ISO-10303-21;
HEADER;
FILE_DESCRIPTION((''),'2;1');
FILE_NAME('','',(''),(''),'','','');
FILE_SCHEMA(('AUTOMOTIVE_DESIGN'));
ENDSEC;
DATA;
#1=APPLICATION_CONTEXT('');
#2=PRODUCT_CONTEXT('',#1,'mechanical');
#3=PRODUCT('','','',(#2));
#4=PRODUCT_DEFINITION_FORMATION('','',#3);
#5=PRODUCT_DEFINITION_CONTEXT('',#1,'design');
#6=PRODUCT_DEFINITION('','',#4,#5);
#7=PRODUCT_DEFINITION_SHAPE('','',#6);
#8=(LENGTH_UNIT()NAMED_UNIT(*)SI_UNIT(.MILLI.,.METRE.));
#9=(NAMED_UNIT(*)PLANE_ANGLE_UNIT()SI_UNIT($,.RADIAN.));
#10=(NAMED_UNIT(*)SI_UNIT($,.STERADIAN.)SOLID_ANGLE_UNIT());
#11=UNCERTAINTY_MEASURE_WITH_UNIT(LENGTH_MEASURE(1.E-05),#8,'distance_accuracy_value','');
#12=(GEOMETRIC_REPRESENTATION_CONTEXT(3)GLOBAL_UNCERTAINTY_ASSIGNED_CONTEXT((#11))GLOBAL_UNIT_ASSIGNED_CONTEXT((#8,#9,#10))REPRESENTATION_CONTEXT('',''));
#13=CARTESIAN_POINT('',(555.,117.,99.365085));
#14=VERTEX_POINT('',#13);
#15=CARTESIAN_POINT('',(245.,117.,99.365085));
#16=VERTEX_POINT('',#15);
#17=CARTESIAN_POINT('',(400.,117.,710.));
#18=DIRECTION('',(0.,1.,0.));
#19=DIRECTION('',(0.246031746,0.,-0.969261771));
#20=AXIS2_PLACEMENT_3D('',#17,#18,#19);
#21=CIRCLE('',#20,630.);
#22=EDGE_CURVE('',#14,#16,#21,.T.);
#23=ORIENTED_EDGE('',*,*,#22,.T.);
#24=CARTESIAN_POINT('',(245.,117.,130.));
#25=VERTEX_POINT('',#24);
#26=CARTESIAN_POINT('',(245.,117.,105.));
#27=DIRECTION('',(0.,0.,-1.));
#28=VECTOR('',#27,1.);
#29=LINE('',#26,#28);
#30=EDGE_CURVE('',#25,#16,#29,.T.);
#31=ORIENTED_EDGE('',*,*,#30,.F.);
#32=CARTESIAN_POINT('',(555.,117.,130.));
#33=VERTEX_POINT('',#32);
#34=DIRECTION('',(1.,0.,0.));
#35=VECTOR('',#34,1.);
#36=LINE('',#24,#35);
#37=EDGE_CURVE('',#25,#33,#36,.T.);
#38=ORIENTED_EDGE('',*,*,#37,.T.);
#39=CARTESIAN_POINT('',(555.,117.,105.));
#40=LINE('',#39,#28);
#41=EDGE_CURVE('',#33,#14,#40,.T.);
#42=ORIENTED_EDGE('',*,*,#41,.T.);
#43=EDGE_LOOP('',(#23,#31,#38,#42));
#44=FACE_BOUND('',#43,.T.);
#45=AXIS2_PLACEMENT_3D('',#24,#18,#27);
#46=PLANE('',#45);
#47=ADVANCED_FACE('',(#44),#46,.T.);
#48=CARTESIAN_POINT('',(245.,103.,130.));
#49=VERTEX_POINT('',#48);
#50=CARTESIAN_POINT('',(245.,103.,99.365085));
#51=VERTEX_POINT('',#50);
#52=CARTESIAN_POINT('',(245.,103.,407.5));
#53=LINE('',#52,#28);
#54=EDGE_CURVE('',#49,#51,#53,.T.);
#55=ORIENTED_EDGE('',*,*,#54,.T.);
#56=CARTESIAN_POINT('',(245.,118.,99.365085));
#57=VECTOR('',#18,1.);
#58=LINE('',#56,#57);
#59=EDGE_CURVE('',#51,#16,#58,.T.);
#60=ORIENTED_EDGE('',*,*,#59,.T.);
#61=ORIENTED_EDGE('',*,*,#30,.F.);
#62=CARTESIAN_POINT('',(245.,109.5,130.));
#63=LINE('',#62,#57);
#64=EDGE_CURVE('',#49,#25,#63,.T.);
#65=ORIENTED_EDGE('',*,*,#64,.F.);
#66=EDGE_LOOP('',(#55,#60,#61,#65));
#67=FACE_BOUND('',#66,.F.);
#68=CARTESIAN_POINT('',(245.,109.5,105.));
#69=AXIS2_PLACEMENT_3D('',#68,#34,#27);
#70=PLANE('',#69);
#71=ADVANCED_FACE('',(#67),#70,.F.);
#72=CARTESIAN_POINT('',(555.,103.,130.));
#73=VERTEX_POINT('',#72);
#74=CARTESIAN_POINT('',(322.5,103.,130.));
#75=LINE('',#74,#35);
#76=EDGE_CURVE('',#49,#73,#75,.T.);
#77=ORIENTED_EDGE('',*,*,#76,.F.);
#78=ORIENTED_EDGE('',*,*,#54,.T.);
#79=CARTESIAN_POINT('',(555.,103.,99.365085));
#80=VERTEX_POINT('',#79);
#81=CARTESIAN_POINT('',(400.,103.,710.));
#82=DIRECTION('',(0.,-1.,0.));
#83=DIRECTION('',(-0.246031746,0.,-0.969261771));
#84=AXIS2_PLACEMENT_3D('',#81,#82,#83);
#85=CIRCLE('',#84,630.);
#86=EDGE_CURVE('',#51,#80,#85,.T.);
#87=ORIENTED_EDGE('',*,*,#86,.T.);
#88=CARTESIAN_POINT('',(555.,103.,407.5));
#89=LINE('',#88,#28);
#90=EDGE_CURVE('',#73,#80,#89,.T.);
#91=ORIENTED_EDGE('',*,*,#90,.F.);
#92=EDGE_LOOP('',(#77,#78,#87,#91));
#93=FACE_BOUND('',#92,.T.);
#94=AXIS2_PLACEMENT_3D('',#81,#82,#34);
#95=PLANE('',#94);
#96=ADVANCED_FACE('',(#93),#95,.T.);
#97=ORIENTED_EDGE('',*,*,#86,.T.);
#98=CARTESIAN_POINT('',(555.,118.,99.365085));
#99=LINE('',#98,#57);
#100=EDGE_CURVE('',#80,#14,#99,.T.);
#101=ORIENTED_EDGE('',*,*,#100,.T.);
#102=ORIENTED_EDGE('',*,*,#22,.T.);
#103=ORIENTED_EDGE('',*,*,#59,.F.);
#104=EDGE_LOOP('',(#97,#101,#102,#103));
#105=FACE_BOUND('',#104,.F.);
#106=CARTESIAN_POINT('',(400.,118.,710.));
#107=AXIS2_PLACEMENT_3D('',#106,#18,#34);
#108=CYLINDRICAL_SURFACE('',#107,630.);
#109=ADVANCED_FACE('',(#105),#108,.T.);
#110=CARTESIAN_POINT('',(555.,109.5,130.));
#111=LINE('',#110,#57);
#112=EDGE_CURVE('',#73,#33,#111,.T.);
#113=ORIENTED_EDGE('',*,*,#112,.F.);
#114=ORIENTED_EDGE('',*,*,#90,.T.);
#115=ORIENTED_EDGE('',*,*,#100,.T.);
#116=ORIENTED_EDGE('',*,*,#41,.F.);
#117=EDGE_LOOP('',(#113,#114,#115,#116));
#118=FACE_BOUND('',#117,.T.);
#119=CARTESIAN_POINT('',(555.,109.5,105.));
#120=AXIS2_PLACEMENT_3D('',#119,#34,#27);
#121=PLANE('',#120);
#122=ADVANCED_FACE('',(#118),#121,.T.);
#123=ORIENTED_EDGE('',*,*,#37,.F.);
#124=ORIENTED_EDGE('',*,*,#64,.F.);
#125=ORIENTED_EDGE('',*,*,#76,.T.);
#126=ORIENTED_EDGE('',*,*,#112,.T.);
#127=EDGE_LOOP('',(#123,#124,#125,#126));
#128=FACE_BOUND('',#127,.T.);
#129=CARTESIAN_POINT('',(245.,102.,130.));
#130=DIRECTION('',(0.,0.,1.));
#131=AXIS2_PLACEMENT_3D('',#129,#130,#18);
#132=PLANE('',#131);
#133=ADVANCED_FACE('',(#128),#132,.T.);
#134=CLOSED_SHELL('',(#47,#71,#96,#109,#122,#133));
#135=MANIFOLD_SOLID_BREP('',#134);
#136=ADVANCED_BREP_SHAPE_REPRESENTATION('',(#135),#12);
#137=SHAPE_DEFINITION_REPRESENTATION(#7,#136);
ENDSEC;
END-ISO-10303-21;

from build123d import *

# Parameters (mm, degrees)
CYLINDER002_R          = 630
CYLINDER002_DEPTH      = 15
CYLINDER002_ROLL_ANGLE = 90
BOX025_W               = 50
BOX025_H               = 15
BOX025_DEPTH           = 310
BOX025_PITCH_ANGLE     = 90


with BuildPart() as rundung_antriebskulisse:
    # Cylinder002 → Cylinder002 (new body)
    with BuildSketch(Plane.XY):
        Circle(CYLINDER002_R)
    extrude(amount=CYLINDER002_DEPTH)


with BuildPart() as rundung_antriebskulisse_1:
    # Cylinder002 roll: moved
    add(rundung_antriebskulisse.part.rotate(Axis((0, 0, 0), (1, 0, 0)), CYLINDER002_ROLL_ANGLE))


with BuildPart() as rundung_antriebskulisse_2:
    # Cylinder002 placement: moved
    add(rundung_antriebskulisse_1.part.moved(Location((400, 118, 710))))


with BuildPart() as antriebskulisse:
    # Box025 → Box025 (new body)
    with BuildSketch(Plane.XY):
        with Locations((25, 7.5)):
            Rectangle(BOX025_W, BOX025_H)
    extrude(amount=BOX025_DEPTH)


with BuildPart() as antriebskulisse_1:
    # Box025 pitch: moved
    add(antriebskulisse.part.rotate(Axis((0, 0, 0), (0, 1, 0)), BOX025_PITCH_ANGLE))


with BuildPart() as antriebskulisse_2:
    # Box025 placement: moved
    add(antriebskulisse_1.part.moved(Location((245, 102, 130))))

    # Common: intersect Rundung_Antriebskulisse
    add(rundung_antriebskulisse_2.part, mode=Mode.INTERSECT)


solid = antriebskulisse_2.part
